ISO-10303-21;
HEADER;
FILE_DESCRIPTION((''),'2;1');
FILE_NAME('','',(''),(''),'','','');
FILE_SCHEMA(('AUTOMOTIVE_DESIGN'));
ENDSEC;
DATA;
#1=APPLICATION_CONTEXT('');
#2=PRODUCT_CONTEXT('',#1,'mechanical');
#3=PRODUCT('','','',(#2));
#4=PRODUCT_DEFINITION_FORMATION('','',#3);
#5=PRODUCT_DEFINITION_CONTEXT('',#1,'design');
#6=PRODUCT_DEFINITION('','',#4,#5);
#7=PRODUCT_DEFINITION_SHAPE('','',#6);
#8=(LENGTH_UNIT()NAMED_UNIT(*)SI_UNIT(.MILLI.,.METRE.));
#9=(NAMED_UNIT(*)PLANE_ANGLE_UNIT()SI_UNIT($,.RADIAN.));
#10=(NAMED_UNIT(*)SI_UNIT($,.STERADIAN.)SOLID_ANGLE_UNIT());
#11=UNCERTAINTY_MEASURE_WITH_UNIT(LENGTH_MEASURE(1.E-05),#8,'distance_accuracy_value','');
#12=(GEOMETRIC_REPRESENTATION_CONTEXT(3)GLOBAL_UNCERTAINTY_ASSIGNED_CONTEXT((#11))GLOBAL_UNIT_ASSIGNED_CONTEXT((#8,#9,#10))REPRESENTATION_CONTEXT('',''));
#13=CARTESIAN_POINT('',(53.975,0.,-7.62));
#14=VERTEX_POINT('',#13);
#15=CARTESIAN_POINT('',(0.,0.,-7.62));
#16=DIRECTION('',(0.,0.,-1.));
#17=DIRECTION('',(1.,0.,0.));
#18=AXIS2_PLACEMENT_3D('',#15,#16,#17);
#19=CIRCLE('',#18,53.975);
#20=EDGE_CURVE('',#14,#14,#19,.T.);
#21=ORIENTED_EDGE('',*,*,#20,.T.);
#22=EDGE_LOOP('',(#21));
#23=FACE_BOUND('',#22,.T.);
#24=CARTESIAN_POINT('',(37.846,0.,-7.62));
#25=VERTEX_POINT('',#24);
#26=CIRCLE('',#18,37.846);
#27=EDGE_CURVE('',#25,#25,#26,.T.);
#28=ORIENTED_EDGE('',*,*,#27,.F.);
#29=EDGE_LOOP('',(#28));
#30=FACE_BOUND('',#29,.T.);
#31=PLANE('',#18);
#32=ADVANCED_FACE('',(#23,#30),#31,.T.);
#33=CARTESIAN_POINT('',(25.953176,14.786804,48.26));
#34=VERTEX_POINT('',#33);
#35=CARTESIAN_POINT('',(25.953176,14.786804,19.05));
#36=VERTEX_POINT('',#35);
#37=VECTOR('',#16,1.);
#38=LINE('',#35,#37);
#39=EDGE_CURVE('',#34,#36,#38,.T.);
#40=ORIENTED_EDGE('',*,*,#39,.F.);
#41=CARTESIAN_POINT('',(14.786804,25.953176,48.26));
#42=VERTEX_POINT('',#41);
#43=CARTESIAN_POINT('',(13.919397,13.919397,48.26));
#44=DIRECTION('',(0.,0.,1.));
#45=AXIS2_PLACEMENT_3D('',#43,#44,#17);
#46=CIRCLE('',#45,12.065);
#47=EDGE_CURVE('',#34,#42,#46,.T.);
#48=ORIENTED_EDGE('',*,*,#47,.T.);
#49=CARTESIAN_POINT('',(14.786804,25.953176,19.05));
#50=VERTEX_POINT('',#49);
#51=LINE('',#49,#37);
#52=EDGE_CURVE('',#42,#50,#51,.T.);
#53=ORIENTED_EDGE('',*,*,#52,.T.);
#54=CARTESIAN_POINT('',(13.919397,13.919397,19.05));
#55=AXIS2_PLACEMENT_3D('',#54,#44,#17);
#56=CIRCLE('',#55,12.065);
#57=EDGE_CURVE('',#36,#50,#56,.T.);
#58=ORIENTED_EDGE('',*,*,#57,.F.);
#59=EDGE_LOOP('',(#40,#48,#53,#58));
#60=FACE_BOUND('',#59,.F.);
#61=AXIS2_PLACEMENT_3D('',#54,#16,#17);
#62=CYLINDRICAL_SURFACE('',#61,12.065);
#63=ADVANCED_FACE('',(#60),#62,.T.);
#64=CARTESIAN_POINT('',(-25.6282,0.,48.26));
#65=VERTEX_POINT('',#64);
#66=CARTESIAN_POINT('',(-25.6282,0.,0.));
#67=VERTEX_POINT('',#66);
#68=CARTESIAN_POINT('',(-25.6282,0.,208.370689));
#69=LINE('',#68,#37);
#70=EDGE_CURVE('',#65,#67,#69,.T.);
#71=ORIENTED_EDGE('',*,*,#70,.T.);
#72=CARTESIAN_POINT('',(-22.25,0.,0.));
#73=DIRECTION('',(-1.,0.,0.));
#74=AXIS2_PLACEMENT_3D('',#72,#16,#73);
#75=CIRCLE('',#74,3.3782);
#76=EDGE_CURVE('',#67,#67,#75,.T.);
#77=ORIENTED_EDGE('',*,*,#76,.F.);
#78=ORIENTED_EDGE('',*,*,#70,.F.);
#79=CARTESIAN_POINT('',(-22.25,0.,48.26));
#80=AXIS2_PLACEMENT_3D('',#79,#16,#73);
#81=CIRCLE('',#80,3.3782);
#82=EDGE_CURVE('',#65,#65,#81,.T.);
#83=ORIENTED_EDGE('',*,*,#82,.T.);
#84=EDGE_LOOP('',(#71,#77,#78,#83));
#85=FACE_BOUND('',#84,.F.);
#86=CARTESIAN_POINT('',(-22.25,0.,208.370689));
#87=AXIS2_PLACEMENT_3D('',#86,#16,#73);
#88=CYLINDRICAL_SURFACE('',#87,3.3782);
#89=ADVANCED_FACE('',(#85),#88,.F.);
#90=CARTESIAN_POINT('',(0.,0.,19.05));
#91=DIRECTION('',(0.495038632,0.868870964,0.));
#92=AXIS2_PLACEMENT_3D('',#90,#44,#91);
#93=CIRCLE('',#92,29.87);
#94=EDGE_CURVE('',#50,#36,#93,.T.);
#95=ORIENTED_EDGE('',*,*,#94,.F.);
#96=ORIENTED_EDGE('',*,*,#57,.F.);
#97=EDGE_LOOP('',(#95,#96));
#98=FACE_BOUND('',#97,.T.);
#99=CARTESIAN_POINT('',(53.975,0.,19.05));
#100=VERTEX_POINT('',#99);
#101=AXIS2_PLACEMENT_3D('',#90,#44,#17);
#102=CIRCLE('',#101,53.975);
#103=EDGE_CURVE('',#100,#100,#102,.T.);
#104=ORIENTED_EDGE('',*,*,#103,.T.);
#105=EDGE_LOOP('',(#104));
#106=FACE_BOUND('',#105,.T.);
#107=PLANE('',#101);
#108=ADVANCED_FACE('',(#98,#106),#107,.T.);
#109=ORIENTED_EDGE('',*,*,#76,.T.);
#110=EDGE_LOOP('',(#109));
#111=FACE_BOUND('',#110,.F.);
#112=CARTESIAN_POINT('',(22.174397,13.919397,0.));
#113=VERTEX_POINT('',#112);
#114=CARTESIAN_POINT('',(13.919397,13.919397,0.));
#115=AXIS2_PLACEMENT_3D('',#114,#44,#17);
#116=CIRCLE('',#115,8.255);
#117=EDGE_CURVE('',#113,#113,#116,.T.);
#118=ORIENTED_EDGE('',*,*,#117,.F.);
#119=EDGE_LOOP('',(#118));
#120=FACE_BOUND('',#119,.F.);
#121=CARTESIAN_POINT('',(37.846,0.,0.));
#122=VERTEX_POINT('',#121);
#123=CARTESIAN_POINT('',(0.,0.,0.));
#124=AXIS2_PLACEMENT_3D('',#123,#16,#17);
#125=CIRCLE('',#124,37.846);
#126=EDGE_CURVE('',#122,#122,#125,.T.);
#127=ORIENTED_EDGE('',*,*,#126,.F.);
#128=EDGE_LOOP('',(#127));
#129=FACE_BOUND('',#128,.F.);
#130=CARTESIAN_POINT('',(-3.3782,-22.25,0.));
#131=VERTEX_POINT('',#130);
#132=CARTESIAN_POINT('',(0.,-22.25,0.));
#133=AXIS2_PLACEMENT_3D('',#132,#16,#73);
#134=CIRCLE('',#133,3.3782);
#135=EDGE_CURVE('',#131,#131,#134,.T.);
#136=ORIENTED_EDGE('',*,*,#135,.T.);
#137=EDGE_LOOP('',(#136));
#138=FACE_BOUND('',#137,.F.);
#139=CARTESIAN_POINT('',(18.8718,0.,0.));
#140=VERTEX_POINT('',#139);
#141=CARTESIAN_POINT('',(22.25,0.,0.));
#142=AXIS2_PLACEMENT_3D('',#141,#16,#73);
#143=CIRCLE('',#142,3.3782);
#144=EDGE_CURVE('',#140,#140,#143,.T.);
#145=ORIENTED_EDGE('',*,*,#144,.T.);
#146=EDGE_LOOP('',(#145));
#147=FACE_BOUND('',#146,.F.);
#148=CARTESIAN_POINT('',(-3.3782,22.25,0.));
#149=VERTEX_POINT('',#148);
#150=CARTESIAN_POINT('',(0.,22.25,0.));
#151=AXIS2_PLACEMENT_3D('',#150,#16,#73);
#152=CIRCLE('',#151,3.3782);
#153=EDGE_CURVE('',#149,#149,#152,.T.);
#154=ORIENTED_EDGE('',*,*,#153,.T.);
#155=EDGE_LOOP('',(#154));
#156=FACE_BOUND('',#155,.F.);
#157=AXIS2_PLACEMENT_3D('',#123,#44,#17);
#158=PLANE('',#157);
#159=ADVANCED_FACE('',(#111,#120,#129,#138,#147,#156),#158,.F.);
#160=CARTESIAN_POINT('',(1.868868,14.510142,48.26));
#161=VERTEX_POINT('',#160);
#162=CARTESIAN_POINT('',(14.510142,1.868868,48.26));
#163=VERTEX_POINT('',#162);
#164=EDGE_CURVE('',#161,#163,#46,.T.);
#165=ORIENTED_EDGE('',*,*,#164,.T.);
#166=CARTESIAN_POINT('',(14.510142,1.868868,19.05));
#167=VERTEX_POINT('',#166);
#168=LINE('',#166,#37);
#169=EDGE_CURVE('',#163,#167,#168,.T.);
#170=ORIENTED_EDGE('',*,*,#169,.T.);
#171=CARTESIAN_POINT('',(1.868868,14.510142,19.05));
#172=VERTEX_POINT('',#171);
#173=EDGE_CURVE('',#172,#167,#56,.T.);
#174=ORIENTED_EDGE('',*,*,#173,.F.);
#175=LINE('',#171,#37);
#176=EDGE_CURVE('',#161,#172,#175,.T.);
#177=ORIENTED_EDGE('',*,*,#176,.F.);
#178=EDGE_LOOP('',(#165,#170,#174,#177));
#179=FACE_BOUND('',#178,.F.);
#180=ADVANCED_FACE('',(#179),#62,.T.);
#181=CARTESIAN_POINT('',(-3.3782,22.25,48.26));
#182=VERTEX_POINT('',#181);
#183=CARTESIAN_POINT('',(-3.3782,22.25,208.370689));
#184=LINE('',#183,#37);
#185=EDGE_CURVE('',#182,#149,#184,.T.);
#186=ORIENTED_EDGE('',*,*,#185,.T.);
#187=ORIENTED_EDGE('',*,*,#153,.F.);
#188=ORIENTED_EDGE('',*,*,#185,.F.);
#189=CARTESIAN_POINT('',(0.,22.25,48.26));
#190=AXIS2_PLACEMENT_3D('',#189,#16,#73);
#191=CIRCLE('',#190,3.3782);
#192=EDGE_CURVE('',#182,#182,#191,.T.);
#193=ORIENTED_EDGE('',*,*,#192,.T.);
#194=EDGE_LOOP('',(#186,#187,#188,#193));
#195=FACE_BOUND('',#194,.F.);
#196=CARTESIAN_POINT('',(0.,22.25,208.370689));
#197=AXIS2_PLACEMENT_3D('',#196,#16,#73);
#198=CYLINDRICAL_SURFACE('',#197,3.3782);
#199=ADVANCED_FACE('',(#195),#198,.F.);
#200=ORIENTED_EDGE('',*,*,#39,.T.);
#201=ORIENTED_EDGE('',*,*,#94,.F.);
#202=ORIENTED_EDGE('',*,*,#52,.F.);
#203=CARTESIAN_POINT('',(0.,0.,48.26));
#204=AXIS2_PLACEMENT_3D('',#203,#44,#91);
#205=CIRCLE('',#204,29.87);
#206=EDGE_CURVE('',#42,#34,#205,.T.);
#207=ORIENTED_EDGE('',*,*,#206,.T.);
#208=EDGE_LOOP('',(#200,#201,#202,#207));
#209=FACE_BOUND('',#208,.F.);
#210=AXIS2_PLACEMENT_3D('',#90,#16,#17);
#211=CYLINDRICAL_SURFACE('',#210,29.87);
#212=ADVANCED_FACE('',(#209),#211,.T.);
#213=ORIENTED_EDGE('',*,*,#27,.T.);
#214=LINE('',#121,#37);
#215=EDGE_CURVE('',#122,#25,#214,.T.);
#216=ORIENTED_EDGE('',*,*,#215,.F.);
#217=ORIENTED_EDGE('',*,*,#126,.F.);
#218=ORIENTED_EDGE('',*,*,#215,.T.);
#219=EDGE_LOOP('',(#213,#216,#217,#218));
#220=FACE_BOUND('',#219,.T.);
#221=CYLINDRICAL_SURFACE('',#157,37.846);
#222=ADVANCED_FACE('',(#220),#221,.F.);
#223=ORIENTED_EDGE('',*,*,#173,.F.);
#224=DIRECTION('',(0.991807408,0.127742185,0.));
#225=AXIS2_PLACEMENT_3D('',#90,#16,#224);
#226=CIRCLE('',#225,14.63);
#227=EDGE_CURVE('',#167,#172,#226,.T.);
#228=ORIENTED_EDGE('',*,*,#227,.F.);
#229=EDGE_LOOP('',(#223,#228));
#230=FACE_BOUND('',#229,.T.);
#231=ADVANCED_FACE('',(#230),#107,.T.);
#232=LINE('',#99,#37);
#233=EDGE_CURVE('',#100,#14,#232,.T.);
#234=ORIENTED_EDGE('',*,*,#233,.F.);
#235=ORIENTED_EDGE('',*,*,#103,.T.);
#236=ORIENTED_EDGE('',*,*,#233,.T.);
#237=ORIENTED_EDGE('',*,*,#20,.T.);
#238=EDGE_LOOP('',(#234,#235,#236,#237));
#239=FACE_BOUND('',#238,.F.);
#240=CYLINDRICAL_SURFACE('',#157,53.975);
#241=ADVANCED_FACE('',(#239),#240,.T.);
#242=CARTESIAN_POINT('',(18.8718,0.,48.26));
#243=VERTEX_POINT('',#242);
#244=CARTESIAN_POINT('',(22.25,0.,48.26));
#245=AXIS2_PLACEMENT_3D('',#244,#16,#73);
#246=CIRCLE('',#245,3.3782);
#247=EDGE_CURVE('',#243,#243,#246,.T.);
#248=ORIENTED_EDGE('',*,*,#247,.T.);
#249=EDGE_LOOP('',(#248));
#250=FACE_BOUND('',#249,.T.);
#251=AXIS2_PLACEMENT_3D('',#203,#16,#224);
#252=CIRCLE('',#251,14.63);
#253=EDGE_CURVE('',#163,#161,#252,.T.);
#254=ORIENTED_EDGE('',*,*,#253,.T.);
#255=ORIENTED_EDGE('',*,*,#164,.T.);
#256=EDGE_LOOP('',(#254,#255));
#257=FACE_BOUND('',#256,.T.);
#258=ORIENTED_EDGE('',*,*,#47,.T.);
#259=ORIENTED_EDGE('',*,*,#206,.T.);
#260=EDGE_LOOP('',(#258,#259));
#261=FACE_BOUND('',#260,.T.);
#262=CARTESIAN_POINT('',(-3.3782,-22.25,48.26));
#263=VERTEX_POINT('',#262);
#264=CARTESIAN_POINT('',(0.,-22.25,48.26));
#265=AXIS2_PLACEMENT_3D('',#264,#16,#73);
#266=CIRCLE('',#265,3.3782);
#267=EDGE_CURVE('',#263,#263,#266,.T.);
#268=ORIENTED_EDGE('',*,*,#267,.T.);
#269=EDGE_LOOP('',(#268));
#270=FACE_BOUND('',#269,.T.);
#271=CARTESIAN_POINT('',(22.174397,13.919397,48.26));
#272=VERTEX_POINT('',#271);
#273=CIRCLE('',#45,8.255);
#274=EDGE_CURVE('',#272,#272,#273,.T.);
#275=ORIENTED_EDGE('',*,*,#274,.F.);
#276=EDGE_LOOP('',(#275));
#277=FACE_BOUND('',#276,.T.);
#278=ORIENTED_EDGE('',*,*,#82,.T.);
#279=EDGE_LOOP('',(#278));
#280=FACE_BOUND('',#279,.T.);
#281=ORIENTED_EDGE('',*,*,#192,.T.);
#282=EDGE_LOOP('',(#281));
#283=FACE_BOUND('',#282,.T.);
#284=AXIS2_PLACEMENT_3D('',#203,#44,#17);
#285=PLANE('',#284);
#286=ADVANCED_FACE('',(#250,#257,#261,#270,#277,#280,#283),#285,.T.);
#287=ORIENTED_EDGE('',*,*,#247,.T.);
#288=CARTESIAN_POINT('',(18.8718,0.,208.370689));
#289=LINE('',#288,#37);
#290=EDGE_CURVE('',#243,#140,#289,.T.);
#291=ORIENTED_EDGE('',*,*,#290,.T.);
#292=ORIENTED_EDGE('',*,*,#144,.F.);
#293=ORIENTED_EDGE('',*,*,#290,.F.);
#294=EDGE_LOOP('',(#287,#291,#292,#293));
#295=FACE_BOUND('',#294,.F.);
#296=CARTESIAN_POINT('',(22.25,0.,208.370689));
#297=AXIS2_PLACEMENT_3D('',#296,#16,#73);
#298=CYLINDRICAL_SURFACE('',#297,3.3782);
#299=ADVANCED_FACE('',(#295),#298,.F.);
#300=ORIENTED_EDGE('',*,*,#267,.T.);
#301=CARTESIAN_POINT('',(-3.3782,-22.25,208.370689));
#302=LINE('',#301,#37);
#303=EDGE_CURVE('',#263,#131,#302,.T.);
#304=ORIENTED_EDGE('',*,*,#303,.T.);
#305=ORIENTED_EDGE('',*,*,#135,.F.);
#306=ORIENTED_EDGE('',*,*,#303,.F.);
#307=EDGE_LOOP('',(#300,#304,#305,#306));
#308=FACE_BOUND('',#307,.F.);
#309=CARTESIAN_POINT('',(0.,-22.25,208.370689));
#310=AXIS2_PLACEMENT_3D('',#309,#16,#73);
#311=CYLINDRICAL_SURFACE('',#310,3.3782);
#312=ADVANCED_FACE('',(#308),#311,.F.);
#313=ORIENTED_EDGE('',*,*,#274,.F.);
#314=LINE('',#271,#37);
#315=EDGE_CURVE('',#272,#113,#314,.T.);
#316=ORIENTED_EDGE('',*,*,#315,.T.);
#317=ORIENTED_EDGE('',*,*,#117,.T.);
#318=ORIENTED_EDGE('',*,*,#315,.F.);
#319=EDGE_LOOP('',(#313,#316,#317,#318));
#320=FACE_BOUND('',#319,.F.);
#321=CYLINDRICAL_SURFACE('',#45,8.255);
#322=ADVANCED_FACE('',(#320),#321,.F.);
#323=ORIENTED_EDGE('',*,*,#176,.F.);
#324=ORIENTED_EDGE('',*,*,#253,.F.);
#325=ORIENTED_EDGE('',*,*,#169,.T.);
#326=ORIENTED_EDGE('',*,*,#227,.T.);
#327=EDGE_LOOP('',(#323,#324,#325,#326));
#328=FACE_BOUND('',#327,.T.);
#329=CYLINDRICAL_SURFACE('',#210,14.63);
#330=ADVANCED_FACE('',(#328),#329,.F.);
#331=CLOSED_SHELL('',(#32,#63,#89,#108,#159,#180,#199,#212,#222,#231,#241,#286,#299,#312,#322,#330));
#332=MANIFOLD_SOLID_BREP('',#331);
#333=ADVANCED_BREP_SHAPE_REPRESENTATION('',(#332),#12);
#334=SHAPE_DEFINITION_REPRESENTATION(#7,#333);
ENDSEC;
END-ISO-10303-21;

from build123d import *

# Parameters (mm, degrees)
F0_R      = 53.975
F1_DEPTH  = 19.05
F2_R      = 29.87
F2_R_2    = 14.63
F3_DEPTH  = 29.21
F5_D      = 6.7564
F6_R      = 53.975
F6_R_2    = 37.846
F7_DEPTH  = 7.62
F8_R      = 12.065
F9_DEPTH  = 29.21
F10_R     = 8.255
F11_DEPTH = 55.881


with BuildPart() as f1:
    # F0 (on Top) → F1 (new body)
    with BuildSketch(Plane.XY):
        Circle(F0_R)
    extrude(amount=F1_DEPTH)

    # F2 (on face) → F3 (join)
    with BuildSketch(Plane.XY.offset(19.05)):
        Circle(F2_R)
        Circle(F2_R_2, mode=Mode.SUBTRACT)
    extrude(amount=F3_DEPTH)

    # F5 (through all)
    with Locations(Plane.XY.offset(48.26)):
        with Locations((0, -22.25), (-22.25, 0), (0, 22.25), (22.25, 0)):
            Hole(F5_D / 2)

    # F6 (on face) → F7 (join)
    with BuildSketch(Plane(origin=(0, 0, 0), x_dir=(1, 0, 0), z_dir=(0, 0, -1))):
        Circle(F6_R)
        Circle(F6_R_2, mode=Mode.SUBTRACT)
    extrude(amount=F7_DEPTH)

    # F8 (on face) → F9 (join, through all)
    with BuildSketch(Plane.XY.offset(19.05)):
        with Locations((13.9193969877, 13.9193969877)):
            Circle(F8_R)
    extrude(amount=F9_DEPTH)

    # F10 (on face) → F11 (cut, through all)
    with BuildSketch(Plane.XY.offset(48.26)):
        with Locations((13.9193969877, 13.9193969877)):
            Circle(F10_R)
    extrude(amount=-F11_DEPTH, mode=Mode.SUBTRACT)


solid = f1.part
